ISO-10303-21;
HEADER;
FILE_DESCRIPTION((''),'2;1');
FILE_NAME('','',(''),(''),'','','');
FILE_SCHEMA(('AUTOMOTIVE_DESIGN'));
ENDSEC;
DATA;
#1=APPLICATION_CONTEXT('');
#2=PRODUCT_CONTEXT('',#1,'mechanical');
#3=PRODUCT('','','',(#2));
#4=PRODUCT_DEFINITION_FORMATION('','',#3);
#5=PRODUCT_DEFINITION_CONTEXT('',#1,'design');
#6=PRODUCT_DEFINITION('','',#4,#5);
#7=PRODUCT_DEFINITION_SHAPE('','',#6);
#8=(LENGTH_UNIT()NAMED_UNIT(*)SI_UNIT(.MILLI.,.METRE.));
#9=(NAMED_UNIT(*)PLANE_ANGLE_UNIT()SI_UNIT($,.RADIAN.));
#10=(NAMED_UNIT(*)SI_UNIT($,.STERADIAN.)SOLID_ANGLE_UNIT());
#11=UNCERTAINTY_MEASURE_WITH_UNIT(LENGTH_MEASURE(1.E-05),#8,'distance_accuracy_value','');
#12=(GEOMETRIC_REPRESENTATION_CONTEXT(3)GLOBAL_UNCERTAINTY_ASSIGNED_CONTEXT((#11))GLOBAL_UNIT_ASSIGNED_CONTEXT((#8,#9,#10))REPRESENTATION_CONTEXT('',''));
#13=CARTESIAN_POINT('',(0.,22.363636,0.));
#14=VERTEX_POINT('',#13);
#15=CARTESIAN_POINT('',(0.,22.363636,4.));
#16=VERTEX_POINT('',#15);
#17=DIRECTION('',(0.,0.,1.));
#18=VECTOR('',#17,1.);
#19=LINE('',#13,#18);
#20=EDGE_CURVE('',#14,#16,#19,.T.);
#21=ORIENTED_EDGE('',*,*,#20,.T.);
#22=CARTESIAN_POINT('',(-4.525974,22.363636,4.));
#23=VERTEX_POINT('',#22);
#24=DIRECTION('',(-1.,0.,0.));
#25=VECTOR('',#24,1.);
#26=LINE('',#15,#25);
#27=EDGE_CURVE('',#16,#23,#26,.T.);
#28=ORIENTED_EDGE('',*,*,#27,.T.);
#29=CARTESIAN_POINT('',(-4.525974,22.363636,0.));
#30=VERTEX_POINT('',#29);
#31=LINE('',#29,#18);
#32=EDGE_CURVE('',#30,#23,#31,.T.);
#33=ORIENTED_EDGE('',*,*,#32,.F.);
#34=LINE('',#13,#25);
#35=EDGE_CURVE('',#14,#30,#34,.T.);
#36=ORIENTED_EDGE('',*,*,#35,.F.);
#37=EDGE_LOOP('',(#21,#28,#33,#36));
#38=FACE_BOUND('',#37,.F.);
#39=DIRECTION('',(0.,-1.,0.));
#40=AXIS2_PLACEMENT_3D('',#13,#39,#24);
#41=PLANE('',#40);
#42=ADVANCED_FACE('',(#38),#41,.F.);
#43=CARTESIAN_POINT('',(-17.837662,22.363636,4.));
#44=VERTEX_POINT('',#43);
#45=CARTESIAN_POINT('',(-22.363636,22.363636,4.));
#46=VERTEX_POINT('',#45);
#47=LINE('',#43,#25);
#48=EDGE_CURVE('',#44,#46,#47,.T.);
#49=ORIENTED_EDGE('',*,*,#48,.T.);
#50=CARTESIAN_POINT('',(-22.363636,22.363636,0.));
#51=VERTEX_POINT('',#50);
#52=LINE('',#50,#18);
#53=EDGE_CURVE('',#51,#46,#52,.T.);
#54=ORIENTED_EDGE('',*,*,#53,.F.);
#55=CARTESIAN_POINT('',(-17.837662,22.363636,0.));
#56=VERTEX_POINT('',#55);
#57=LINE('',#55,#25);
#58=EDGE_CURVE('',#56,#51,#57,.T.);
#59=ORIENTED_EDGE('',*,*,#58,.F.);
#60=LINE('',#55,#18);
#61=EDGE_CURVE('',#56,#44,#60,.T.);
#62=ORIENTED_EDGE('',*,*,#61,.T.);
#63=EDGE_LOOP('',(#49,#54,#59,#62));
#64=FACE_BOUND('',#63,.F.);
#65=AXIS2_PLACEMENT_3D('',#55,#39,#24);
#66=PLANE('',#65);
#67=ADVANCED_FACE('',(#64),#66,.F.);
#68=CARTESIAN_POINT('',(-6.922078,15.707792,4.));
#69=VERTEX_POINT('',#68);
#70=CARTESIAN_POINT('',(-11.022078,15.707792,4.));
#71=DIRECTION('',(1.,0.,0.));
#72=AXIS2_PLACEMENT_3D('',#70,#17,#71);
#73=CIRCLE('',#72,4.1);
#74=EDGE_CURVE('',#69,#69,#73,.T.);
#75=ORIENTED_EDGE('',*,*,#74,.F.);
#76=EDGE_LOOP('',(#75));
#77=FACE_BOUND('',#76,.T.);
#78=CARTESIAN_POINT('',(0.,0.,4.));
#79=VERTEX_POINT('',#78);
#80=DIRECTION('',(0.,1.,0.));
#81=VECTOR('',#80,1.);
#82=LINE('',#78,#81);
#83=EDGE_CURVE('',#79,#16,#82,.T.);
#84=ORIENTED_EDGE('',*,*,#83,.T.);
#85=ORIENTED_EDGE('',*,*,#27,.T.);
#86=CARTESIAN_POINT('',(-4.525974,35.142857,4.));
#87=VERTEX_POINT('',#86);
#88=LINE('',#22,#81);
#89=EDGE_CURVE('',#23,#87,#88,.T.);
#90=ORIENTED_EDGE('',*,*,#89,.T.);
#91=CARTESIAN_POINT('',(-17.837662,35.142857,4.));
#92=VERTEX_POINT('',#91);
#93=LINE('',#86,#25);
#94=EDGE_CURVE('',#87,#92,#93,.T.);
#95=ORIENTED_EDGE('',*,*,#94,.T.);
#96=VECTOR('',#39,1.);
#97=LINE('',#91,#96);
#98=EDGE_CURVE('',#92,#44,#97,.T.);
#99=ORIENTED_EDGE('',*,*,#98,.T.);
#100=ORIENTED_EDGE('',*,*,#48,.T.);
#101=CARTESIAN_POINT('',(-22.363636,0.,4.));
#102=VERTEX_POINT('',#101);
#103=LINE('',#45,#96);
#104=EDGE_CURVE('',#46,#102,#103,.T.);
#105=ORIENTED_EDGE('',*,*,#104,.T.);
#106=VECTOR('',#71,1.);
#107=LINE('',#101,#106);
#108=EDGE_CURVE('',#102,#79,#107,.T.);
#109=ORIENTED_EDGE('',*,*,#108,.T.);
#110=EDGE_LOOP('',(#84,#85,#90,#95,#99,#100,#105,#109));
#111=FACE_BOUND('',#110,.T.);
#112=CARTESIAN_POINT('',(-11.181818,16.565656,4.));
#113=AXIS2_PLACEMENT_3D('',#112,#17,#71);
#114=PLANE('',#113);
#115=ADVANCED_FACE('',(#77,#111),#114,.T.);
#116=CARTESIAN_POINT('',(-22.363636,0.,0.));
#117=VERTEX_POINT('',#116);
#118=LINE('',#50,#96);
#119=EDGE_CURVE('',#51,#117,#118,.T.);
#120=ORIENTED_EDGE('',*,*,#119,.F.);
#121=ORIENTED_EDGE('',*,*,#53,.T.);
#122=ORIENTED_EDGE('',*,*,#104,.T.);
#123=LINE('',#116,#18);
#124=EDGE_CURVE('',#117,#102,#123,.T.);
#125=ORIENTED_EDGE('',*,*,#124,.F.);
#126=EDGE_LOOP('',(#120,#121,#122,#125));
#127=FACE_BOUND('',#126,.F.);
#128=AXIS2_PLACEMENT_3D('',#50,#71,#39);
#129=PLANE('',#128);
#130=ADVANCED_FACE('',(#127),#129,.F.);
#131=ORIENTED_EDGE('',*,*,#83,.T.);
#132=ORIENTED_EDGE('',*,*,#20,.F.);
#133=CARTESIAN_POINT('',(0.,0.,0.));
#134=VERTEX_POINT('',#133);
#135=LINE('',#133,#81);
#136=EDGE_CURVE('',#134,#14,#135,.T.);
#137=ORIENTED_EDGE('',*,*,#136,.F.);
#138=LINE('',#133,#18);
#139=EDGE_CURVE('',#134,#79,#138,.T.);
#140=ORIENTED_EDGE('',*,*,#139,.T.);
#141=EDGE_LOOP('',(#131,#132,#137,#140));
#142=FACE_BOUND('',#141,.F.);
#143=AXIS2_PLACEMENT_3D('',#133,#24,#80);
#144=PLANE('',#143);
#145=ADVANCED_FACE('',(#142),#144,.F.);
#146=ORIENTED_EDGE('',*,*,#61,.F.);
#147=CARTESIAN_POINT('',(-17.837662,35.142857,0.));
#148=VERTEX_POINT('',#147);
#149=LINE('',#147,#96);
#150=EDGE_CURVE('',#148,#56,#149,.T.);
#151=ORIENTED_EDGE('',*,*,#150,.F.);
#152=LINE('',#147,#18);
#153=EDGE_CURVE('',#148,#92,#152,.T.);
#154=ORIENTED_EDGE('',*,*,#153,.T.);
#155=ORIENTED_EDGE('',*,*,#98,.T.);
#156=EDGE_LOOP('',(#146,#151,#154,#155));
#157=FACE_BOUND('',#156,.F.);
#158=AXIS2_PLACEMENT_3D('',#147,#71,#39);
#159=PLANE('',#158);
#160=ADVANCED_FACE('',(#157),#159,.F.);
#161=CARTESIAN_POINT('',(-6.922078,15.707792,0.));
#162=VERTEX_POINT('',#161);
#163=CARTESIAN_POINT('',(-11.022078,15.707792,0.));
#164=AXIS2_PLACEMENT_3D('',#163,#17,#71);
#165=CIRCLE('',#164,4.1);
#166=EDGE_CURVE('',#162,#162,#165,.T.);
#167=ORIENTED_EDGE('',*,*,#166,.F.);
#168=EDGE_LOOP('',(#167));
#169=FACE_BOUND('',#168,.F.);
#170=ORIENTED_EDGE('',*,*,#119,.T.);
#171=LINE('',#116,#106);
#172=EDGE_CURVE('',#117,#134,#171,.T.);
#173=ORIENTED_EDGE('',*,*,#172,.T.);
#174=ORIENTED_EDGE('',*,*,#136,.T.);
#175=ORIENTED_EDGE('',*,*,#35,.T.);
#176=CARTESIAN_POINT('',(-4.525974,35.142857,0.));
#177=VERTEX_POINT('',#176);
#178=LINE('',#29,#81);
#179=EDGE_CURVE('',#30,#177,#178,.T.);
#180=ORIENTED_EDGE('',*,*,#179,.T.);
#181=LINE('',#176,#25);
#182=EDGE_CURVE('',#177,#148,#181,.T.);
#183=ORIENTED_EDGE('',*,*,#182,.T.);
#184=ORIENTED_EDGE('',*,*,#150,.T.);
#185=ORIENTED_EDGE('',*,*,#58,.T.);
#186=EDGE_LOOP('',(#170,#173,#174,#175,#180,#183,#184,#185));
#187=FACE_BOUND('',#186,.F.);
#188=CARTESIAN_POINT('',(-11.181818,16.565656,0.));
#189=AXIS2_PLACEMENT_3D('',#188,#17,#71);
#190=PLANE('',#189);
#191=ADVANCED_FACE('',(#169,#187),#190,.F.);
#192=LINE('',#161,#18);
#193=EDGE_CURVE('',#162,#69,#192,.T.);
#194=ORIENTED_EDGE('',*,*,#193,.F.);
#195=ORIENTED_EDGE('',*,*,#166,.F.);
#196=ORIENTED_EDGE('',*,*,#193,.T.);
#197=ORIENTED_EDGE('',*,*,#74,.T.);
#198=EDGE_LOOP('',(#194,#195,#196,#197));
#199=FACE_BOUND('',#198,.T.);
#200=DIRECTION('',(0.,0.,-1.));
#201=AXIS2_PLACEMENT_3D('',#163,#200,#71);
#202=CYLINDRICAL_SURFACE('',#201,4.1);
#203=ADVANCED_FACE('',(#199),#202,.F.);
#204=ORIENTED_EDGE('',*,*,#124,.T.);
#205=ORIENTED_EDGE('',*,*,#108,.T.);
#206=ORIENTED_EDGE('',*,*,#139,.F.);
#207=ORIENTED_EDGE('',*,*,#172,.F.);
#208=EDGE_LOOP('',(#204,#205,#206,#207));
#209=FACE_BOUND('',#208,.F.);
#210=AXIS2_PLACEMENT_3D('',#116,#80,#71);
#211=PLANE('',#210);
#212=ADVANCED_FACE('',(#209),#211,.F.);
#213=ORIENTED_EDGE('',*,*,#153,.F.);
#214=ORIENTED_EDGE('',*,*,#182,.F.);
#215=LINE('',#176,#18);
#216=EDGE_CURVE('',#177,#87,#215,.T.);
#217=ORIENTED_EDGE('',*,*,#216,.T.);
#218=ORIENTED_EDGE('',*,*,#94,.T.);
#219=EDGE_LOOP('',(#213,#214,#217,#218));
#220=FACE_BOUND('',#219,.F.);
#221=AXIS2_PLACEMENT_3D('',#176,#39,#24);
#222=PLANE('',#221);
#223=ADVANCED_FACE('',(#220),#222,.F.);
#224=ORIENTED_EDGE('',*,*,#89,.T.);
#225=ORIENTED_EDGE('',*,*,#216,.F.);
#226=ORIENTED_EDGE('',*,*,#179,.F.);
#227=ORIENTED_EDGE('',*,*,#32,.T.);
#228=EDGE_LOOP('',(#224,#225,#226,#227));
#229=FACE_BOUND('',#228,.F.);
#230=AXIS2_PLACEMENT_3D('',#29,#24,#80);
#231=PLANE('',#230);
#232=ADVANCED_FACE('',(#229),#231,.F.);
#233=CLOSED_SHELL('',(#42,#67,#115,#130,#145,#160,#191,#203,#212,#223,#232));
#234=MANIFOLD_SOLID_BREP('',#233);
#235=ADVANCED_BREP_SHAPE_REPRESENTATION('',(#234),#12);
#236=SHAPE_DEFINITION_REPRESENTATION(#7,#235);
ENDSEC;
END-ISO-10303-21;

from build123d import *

# Parameters (mm, degrees)
F0_R     = 4.1
F1_DEPTH = 4


with BuildPart() as f1:
    # F0 (on Top) → F1 (new body)
    with BuildSketch(Plane.XY):
        Polygon((-22.363636, 0), (0, 0), (0, 22.363636), (-4.525974, 22.363636), (-4.525974, 35.142857), (-17.837662, 35.142857), (-17.837662, 22.363636), (-22.363636, 22.363636), align=None)
        with Locations((-11.022078, 15.707792)):
            Circle(F0_R, mode=Mode.SUBTRACT)
    extrude(amount=F1_DEPTH)


solid = f1.part
